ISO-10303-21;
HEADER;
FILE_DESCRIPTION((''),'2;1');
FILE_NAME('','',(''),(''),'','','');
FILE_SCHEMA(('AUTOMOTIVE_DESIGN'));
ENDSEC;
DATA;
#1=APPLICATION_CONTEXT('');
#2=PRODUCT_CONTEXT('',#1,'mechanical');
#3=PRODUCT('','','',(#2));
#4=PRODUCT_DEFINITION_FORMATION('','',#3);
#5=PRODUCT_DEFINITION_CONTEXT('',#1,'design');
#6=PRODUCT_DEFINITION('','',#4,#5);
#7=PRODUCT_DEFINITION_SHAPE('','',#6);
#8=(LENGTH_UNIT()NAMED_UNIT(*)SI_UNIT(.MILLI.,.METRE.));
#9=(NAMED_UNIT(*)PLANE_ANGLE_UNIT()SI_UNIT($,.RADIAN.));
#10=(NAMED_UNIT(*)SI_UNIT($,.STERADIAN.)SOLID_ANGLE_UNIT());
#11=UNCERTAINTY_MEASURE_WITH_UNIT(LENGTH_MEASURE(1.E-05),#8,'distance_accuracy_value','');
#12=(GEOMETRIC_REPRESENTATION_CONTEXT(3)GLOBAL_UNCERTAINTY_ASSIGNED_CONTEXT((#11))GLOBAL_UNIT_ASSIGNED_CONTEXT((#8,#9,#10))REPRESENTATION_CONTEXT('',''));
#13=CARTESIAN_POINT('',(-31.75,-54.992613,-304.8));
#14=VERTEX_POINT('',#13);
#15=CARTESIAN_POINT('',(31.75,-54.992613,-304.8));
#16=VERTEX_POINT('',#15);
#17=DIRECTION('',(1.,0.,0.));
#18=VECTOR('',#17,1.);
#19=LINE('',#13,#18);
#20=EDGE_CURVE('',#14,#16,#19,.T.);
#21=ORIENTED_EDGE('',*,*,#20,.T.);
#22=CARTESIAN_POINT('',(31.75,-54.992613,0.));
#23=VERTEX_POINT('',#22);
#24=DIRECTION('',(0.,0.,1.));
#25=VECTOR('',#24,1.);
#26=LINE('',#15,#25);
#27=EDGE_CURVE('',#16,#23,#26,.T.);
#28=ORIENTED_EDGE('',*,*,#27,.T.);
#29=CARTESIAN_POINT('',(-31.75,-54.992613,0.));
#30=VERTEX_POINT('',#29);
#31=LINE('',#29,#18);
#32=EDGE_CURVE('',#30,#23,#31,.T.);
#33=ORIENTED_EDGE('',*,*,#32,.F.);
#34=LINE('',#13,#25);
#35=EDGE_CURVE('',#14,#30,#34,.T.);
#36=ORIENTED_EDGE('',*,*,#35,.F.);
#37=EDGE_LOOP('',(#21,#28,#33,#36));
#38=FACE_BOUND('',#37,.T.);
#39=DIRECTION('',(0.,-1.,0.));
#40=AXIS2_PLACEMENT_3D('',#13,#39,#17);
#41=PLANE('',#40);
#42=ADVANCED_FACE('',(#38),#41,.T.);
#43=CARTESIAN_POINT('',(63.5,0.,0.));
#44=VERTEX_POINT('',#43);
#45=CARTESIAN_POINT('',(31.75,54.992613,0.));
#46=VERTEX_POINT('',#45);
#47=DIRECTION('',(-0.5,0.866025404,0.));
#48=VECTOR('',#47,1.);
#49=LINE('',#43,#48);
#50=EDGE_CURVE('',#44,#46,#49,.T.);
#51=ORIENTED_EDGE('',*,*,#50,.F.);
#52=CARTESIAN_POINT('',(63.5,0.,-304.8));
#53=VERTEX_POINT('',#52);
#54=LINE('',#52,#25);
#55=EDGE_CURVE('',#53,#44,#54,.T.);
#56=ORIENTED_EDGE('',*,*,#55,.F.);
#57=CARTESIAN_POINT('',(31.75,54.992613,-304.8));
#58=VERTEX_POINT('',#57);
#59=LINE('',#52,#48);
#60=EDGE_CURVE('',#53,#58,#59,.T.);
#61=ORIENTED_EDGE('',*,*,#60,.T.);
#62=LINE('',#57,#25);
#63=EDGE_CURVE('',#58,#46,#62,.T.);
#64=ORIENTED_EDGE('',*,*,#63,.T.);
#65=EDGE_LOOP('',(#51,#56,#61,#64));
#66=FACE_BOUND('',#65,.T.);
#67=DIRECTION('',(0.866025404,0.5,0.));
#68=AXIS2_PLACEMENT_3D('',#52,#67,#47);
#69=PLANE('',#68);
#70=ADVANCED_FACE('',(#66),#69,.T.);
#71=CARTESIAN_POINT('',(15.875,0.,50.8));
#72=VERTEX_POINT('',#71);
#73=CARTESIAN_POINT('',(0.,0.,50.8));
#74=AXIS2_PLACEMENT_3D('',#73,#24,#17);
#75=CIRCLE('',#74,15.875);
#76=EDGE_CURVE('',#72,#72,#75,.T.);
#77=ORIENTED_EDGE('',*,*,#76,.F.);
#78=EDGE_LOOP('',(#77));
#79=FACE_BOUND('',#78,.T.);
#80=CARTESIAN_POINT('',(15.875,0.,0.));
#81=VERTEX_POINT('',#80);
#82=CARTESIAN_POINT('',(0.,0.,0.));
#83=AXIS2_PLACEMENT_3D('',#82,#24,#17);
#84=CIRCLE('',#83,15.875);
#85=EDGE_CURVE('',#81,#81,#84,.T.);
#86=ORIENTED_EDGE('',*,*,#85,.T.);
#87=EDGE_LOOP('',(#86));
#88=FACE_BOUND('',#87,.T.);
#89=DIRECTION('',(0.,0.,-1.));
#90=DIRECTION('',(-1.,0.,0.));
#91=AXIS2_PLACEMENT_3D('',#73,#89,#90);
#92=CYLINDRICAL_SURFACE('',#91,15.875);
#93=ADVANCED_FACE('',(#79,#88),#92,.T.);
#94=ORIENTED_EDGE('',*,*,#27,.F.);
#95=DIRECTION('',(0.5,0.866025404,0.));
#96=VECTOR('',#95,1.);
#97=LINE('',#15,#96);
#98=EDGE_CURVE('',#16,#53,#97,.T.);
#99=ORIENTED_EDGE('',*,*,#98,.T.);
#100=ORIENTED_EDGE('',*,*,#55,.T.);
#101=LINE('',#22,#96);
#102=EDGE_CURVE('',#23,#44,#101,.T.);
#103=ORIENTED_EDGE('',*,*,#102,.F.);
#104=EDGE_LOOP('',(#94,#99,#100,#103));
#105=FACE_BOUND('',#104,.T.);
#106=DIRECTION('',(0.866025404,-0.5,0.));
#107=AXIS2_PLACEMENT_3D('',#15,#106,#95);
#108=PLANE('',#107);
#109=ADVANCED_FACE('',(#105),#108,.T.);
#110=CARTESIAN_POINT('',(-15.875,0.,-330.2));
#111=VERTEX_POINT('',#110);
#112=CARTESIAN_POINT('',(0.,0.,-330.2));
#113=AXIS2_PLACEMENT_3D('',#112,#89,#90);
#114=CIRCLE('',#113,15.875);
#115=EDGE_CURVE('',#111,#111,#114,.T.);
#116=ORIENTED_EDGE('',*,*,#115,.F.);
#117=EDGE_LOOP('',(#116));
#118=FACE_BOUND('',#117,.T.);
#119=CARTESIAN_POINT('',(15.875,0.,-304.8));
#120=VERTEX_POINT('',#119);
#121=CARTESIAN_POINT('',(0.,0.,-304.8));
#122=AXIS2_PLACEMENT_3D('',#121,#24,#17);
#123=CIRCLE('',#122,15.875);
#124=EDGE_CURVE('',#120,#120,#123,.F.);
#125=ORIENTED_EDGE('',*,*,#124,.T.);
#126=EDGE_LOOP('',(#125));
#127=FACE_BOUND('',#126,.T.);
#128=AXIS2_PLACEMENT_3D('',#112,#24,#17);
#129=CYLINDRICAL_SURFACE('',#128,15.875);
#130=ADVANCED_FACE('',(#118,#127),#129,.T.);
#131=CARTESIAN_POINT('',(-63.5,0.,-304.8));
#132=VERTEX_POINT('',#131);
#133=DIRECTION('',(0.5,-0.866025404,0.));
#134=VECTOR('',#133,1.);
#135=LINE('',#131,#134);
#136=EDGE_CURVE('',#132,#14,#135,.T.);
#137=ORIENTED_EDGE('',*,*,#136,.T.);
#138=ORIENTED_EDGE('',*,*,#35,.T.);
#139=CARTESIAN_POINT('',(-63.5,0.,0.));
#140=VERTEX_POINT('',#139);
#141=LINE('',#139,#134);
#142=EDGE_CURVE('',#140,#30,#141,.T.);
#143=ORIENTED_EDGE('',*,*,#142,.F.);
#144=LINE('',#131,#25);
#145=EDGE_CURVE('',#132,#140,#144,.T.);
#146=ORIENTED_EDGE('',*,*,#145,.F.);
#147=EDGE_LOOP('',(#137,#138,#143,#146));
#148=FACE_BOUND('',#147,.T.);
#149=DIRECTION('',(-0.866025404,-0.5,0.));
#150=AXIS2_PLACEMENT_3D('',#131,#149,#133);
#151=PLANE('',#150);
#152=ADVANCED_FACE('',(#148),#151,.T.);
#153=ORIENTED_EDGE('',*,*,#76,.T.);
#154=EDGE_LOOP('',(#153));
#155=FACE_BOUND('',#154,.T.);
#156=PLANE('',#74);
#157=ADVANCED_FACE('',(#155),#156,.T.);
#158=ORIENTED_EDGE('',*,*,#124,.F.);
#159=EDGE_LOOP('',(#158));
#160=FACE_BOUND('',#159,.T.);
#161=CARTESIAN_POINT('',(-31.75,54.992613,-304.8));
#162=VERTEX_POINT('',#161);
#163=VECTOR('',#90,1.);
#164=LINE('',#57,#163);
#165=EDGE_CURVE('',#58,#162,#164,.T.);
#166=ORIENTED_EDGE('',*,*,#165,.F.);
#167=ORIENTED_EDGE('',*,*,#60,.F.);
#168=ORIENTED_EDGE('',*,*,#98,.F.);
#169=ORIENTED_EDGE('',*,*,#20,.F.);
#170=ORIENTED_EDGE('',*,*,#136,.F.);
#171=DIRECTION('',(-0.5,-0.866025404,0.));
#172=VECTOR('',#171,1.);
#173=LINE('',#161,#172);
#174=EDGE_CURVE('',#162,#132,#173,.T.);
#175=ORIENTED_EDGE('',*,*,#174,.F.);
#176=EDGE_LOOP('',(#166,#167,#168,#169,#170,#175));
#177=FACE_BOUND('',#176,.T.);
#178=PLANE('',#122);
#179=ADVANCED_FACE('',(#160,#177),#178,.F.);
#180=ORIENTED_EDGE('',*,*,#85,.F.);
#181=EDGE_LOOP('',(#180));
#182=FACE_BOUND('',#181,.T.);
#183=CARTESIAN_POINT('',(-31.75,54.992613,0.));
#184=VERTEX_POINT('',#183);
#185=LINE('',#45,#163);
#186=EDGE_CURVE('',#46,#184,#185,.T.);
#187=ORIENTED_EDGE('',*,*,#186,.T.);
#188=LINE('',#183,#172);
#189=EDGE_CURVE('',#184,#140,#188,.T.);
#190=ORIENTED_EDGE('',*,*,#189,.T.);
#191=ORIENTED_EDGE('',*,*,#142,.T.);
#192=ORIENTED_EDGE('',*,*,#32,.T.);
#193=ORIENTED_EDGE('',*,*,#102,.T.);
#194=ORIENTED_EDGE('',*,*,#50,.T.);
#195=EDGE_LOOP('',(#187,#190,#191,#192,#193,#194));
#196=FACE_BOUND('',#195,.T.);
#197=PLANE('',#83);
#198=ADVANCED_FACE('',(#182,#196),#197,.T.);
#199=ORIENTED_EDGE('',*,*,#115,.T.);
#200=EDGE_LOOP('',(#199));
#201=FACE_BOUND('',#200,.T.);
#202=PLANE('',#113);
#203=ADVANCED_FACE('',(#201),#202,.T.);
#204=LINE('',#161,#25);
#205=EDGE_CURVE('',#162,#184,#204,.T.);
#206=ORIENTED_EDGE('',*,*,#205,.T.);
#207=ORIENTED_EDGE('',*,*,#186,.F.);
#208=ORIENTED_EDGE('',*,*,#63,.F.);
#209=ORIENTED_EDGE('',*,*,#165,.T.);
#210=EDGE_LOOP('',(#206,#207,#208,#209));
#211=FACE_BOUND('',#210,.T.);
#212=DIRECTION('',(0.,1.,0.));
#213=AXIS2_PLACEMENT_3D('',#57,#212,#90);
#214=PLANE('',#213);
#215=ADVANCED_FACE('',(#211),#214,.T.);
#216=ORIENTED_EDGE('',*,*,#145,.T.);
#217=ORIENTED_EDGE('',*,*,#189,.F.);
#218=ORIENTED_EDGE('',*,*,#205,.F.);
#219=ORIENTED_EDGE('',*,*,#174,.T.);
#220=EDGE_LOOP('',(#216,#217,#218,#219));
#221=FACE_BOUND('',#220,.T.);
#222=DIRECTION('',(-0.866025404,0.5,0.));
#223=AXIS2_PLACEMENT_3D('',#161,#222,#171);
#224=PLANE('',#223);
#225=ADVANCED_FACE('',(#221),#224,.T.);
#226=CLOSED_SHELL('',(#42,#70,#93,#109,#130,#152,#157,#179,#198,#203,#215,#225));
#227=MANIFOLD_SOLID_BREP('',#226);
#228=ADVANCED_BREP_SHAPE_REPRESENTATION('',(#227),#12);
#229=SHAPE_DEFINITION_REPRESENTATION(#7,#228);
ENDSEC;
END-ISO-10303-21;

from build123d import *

# Parameters (mm, degrees)
SALIENTE_EXTRUIR1_DEPTH = 304.8
CROQUIS4_R              = 15.875
SALIENTE_EXTRUIR2_DEPTH = 50.8
CROQUIS5_R              = 15.875
SALIENTE_EXTRUIR3_DEPTH = 25.4


with BuildPart() as part:
    # Croquis2 → Saliente-Extruir1 (new body)
    with BuildSketch(Plane.XY):
        Polygon((-63.5, 0), (-31.75, -54.99261314), (31.75, -54.99261314), (63.5, 0), (31.75, 54.99261314), (-31.75, 54.99261314), align=None)
    extrude(amount=-SALIENTE_EXTRUIR1_DEPTH)

    # Croquis4 → Saliente-Extruir2 (add)
    with BuildSketch(Plane.XY):
        Circle(CROQUIS4_R)
    extrude(amount=SALIENTE_EXTRUIR2_DEPTH)

    # Croquis5 → Saliente-Extruir3 (add)
    with BuildSketch(Plane(origin=(0, 0, -304.8), x_dir=(-1, 0, 0), z_dir=(0, 0, -1))):
        Circle(CROQUIS5_R)
    extrude(amount=SALIENTE_EXTRUIR3_DEPTH)


solid = part.part
